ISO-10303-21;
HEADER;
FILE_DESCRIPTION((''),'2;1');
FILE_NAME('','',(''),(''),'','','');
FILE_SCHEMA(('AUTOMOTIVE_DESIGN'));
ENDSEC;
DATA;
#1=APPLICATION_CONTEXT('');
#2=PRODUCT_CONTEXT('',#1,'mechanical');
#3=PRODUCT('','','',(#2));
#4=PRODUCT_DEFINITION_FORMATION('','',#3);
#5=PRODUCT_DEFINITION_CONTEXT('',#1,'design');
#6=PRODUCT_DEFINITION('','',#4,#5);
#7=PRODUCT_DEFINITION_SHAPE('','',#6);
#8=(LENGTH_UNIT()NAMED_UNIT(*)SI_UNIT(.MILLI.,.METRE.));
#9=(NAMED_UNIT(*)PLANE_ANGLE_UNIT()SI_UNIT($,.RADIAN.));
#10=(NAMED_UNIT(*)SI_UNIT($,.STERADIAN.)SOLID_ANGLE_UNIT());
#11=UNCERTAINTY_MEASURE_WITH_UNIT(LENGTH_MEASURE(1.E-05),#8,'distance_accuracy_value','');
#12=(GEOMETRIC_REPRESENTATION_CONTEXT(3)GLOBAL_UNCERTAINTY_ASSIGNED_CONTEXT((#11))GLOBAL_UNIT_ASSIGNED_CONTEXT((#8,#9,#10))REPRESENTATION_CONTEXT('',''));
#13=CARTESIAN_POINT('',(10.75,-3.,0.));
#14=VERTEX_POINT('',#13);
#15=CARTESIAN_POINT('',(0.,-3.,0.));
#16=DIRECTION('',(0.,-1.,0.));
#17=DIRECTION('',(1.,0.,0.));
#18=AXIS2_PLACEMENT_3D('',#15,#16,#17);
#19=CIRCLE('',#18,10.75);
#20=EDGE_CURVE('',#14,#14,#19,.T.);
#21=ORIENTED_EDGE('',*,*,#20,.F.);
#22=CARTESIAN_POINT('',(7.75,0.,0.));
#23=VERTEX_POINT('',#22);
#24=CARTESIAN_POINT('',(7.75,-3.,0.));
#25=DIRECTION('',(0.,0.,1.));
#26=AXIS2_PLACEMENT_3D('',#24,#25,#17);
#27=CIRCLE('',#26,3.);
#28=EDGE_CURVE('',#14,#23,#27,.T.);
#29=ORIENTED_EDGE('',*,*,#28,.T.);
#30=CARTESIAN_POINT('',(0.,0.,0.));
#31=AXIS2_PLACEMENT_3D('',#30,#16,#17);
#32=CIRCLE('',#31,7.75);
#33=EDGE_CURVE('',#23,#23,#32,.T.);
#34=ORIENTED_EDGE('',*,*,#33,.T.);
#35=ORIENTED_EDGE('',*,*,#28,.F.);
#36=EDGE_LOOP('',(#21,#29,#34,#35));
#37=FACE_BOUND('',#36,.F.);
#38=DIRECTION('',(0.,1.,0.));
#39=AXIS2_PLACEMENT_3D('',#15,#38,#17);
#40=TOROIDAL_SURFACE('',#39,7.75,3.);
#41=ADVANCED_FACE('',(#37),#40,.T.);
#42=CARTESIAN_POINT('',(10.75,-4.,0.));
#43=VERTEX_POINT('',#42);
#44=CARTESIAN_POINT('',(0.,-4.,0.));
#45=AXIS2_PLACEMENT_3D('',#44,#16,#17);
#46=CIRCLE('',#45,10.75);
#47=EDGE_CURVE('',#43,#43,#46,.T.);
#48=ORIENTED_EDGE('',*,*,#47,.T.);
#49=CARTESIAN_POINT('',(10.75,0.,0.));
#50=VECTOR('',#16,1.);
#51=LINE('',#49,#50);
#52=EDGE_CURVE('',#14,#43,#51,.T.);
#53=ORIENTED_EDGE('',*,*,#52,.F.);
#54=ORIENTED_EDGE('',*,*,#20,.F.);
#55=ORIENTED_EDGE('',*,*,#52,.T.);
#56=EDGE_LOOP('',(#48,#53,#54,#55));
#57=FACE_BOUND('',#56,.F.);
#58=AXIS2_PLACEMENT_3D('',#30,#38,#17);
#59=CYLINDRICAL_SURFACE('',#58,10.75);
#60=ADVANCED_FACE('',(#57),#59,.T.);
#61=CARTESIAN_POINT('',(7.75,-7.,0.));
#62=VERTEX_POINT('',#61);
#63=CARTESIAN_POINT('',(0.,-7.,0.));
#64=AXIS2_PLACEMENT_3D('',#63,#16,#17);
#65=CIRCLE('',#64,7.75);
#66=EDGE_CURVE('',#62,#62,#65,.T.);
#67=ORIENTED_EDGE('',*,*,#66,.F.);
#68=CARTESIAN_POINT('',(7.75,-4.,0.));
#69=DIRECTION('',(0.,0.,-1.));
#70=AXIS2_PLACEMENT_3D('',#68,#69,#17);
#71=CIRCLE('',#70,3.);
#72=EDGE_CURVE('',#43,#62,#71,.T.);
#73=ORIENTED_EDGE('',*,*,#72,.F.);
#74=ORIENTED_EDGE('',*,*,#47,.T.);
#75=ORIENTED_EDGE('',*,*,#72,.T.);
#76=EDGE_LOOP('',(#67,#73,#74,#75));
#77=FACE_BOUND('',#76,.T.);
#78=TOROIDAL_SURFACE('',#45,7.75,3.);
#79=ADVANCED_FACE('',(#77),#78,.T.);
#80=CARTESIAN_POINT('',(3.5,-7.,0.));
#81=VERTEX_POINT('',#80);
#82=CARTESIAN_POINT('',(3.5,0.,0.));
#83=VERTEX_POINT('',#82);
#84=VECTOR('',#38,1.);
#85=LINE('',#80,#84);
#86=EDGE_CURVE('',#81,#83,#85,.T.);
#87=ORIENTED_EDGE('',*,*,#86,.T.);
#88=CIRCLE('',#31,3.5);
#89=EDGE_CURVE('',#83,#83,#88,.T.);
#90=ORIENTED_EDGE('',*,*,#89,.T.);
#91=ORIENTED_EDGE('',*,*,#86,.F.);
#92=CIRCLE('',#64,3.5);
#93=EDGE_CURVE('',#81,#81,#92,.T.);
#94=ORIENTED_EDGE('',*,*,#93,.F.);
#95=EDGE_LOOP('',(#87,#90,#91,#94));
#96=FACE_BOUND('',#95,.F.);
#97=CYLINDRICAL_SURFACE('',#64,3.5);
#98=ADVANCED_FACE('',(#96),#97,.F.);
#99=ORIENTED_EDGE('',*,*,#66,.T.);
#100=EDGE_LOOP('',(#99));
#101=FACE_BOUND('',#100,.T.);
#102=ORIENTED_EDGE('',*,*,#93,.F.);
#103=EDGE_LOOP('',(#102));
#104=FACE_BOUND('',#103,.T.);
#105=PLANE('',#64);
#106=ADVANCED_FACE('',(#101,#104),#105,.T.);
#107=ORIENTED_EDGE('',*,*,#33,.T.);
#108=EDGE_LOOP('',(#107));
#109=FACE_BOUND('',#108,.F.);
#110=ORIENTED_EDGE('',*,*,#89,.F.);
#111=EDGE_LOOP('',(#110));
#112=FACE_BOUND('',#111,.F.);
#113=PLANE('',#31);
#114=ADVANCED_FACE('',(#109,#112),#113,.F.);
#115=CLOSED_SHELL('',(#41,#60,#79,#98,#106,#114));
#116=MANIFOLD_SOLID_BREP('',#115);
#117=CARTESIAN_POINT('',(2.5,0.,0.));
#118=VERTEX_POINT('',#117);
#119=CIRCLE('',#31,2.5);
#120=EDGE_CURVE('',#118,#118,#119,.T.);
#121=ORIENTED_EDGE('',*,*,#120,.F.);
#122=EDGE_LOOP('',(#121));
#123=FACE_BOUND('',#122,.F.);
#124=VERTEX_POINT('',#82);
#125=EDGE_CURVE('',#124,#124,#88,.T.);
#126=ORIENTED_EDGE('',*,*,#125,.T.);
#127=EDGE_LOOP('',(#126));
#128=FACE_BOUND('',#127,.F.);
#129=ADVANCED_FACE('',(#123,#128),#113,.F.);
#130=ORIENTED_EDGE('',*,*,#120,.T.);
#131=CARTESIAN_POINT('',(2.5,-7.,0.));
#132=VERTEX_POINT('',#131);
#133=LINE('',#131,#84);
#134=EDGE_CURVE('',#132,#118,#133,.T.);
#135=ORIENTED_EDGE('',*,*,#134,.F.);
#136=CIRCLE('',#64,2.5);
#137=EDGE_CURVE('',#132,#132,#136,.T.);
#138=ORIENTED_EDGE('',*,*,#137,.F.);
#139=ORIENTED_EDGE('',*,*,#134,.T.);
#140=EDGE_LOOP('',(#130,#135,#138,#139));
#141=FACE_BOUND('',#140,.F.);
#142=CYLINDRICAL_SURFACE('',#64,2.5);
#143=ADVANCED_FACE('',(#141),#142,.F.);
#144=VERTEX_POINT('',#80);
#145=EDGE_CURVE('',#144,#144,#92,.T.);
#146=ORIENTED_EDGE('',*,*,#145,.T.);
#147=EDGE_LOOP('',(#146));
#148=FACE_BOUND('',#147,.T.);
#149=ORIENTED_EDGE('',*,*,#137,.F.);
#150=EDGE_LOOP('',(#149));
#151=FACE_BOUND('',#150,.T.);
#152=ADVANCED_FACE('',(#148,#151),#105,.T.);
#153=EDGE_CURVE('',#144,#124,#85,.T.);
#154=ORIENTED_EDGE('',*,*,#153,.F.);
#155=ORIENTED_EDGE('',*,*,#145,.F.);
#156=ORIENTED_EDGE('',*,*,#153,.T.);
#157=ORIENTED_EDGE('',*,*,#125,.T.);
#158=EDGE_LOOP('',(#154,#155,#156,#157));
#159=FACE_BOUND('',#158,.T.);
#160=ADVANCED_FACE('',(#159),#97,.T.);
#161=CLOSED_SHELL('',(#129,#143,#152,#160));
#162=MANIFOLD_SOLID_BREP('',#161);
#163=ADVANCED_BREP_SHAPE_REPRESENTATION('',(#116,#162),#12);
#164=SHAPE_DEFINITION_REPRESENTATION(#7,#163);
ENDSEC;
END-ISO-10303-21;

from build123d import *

# Parameters (mm, degrees)
F0_R     = 10.75
F0_R_2   = 7
F1_DEPTH = 7
F2_R     = 3
F3_R     = 7
F3_R_2   = 3.5
F4_DEPTH = 7
F5_R     = 3.5
F5_R_2   = 2.5
F6_DEPTH = 7


with BuildPart() as f1:
    # F0 (on Front) → F1 (new body)
    with BuildSketch(Plane.XZ):
        Circle(F0_R)
        Circle(F0_R_2, mode=Mode.SUBTRACT)
    extrude(amount=F1_DEPTH)

    # F2
    f2_edges = [f1.edges().sort_by_distance(p)[0] for p in [
        (-10.75, -7, 0),
        (-10.75, 0, 0),
    ]]
    fillet(f2_edges, radius=F2_R)

    # F3 (on face) → F4 (join)
    with BuildSketch(Plane.XZ.offset(7)):
        Circle(F3_R)
        Circle(F3_R_2, mode=Mode.SUBTRACT)
    extrude(amount=-F4_DEPTH)


with BuildPart() as f6:
    # F5 (on face) → F6 (new body)
    with BuildSketch(Plane.XZ.offset(7)):
        Circle(F5_R)
        Circle(F5_R_2, mode=Mode.SUBTRACT)
    extrude(amount=-F6_DEPTH)


solid = Compound([f1.part, f6.part])
